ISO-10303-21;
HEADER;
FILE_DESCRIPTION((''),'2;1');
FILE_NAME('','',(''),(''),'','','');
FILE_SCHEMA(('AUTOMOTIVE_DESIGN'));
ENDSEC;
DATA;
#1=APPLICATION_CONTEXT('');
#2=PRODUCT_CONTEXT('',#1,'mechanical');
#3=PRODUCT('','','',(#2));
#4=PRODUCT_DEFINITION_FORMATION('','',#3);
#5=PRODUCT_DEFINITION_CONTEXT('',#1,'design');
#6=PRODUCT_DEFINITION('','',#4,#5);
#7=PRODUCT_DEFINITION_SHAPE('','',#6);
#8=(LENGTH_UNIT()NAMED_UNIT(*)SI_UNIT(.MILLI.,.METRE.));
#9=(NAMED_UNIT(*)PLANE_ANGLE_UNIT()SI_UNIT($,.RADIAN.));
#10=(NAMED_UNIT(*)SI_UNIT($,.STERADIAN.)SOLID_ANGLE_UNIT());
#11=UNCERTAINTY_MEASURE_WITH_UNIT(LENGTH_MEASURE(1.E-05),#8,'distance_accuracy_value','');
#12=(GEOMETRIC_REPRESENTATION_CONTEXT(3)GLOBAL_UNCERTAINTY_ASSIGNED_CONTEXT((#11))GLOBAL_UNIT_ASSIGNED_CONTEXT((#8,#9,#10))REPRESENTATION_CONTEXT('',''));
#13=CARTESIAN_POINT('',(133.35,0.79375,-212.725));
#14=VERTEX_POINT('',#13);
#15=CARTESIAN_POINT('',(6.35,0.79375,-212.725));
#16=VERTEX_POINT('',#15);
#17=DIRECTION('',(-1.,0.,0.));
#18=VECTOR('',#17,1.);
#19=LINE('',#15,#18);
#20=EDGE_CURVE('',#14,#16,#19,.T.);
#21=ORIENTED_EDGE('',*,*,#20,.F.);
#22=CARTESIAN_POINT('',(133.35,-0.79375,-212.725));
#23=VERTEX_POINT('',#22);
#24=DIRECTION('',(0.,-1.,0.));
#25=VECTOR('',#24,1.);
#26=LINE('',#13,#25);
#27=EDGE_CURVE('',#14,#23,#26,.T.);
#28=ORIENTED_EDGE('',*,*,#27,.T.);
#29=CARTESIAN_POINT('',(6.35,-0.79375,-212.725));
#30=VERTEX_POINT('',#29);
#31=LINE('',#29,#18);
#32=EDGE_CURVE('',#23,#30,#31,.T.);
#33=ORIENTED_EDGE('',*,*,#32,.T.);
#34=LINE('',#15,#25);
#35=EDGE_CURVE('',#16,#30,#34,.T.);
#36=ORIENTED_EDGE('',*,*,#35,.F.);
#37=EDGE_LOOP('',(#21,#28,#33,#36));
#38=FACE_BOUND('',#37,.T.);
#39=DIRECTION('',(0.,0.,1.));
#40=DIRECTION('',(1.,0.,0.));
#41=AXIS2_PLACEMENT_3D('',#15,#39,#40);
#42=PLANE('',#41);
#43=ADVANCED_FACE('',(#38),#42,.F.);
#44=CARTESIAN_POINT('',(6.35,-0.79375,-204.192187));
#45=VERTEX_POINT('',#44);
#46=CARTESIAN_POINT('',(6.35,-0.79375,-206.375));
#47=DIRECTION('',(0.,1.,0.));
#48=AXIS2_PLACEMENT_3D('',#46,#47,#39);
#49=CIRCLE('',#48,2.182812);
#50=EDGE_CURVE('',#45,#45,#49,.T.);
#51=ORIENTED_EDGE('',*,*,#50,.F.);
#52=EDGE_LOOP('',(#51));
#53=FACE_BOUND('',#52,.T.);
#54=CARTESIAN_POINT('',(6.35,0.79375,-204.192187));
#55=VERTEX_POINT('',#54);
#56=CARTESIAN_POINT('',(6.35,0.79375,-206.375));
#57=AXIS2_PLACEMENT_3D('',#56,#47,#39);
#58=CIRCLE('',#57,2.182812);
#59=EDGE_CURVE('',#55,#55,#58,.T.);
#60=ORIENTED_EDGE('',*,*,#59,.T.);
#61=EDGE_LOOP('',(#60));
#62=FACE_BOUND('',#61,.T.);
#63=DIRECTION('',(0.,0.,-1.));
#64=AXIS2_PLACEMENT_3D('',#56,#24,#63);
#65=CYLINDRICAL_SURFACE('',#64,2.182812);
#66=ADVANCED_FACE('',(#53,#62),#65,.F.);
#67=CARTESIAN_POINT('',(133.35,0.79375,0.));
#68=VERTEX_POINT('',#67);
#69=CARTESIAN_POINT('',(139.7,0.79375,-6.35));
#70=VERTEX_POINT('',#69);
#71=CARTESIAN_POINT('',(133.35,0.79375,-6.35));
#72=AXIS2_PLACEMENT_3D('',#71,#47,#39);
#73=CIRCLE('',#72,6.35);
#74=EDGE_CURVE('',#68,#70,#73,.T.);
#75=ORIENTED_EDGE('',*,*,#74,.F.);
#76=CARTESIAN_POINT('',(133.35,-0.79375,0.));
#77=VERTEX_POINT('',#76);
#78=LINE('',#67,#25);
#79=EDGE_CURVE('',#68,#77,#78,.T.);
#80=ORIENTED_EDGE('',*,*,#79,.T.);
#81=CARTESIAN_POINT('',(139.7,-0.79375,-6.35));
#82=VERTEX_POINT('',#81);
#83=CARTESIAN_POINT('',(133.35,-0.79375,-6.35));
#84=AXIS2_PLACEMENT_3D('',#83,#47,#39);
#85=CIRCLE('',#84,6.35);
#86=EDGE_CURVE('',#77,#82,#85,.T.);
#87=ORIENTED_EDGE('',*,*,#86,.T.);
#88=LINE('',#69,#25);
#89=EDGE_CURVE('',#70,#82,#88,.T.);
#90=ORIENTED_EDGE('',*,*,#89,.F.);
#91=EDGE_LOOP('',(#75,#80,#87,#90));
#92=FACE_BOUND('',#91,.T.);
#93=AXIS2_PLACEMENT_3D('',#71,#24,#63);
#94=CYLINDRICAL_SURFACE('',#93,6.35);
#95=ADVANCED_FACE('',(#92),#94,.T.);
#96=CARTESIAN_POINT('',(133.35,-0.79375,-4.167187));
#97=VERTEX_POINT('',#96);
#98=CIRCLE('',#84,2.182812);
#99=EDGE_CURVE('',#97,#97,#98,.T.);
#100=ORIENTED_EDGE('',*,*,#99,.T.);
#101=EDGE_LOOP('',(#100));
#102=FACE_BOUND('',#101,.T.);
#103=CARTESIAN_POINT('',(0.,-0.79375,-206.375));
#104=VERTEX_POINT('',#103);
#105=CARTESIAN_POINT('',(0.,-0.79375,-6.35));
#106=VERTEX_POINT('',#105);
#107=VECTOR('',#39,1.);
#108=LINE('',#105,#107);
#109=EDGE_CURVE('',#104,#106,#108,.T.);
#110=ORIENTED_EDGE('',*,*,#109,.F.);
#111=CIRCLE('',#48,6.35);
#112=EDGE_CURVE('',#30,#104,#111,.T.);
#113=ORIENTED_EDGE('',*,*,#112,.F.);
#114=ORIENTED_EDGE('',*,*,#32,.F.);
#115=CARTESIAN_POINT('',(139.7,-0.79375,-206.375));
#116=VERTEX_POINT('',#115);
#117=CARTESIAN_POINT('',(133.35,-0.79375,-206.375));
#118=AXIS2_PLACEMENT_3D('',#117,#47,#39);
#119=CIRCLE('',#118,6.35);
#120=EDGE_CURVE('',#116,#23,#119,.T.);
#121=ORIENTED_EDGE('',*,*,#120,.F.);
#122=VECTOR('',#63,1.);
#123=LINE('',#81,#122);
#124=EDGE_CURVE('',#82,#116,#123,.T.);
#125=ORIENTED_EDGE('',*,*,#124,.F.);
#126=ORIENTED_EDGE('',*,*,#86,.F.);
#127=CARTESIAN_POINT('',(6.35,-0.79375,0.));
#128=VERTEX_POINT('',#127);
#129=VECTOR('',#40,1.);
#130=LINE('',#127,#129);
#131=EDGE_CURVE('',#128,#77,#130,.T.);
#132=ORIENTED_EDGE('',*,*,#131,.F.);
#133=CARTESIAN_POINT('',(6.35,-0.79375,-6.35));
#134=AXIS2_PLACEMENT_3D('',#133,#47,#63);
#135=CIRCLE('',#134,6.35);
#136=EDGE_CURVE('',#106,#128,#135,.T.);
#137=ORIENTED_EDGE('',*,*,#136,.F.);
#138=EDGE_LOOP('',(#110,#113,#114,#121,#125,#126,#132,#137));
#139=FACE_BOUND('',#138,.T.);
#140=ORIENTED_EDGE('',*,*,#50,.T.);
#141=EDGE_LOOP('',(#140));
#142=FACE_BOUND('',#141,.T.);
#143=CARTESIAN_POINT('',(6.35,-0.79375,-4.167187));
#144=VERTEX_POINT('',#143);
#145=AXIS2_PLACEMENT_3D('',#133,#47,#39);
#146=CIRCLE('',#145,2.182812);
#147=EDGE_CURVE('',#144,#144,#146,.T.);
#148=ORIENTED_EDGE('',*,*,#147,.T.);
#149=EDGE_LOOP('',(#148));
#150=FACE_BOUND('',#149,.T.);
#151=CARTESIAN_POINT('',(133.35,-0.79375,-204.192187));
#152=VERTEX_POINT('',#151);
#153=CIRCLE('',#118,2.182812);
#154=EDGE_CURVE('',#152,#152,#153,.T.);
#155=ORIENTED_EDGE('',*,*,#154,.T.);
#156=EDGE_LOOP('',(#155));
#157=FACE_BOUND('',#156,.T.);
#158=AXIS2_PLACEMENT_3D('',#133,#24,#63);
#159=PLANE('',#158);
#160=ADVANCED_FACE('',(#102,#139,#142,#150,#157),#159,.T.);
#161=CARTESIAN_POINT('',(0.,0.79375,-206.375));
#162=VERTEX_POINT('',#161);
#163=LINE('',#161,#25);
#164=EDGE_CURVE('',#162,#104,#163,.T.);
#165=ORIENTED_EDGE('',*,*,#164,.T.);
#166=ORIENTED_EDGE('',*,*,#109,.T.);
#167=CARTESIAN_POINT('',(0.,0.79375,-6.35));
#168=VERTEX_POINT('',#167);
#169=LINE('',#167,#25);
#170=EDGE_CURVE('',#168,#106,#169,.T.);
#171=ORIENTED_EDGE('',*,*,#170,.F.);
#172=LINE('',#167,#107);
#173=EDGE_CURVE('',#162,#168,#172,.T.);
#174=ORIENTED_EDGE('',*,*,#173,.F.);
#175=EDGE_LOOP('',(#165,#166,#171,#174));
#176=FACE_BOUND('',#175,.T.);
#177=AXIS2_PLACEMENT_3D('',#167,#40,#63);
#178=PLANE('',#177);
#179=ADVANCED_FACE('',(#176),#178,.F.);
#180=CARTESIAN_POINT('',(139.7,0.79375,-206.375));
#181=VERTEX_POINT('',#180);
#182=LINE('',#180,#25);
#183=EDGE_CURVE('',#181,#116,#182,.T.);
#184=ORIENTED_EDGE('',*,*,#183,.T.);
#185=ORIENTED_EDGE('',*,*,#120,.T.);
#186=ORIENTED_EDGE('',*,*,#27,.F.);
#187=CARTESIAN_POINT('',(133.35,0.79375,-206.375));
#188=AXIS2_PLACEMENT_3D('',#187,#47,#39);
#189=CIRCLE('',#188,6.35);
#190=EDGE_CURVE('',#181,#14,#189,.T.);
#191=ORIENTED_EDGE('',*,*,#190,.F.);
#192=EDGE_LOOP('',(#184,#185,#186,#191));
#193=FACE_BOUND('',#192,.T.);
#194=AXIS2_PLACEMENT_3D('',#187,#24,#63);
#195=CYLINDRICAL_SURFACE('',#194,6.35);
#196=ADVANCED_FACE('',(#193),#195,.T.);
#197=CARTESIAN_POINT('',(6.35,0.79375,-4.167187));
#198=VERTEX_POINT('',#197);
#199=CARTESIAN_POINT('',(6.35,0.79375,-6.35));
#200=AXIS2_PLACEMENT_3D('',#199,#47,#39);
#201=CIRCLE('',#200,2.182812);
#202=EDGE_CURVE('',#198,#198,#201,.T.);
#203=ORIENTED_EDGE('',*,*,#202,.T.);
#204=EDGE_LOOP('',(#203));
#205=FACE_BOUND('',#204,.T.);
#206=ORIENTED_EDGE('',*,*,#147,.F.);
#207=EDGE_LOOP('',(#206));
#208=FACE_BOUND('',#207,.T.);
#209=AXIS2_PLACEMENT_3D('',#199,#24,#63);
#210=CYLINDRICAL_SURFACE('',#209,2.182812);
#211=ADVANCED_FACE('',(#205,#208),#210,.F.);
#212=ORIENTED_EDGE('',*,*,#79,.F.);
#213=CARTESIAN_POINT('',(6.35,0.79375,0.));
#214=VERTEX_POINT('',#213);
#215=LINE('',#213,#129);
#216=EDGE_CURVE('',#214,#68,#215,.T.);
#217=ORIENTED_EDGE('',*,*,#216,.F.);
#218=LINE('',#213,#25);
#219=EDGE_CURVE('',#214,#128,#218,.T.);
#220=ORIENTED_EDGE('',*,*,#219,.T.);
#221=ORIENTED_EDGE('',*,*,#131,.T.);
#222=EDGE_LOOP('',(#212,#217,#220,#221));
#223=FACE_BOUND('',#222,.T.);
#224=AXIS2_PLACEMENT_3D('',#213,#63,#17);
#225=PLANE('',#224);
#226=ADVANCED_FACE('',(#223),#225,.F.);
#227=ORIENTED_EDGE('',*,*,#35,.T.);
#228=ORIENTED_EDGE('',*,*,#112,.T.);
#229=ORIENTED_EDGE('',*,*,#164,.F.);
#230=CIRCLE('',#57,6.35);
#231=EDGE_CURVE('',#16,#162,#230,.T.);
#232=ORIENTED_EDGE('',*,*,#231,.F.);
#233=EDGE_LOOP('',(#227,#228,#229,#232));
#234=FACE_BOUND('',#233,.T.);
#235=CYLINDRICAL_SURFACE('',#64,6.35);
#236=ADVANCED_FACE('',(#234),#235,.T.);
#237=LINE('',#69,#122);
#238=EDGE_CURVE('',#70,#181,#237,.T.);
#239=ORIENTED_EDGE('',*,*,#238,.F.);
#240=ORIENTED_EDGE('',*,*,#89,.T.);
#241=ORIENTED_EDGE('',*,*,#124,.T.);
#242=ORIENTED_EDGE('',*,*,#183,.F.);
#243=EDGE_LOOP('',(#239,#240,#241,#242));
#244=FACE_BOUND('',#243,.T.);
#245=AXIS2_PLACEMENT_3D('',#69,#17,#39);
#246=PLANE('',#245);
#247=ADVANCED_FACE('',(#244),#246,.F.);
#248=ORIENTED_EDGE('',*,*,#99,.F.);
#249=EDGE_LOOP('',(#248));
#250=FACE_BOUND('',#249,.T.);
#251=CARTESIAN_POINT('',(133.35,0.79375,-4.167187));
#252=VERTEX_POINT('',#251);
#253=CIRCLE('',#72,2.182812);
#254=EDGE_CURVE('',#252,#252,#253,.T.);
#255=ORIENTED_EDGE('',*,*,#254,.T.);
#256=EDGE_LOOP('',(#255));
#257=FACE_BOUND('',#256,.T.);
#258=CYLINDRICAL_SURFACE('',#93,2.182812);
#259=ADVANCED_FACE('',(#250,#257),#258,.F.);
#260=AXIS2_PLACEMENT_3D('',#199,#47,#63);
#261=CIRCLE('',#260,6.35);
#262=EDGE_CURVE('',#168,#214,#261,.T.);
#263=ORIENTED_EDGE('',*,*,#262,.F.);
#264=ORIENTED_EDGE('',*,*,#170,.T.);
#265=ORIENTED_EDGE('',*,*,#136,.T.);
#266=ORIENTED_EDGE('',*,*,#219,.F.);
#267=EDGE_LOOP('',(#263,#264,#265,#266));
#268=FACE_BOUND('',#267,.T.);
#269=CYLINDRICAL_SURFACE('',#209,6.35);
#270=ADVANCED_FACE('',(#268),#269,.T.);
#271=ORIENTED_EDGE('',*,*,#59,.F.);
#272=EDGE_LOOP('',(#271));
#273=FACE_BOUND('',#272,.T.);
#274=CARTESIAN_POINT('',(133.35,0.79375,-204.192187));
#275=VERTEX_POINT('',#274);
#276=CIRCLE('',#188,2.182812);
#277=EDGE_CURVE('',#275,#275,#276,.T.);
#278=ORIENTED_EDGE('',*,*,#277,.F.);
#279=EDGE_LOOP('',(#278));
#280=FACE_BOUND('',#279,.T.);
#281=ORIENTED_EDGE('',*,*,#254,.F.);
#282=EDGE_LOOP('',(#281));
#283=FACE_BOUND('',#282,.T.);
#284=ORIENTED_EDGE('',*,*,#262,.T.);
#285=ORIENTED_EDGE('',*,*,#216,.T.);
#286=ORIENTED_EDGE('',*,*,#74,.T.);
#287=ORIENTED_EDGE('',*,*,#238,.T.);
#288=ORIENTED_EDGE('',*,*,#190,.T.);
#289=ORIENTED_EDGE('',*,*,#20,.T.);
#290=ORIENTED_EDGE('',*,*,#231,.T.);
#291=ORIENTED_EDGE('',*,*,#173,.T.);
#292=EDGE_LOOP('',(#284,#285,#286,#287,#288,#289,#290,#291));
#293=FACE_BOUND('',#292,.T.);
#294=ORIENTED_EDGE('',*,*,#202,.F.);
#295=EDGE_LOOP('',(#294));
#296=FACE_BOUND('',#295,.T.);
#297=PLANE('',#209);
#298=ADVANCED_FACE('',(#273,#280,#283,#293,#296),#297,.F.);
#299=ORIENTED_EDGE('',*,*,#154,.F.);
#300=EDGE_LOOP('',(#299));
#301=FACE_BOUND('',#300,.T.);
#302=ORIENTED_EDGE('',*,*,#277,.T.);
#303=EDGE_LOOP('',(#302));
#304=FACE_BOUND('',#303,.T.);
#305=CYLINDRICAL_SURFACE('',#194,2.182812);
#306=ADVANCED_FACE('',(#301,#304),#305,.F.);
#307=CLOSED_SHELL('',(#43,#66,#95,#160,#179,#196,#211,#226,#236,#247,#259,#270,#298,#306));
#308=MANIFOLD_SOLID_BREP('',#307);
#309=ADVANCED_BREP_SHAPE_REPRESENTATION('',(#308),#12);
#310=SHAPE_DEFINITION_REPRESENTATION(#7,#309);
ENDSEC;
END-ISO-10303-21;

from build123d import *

# Parameters (mm, degrees)
SKETCH1_R           = 2.1828125
BOSS_EXTRUDE1_DEPTH = 0.79375


with BuildPart() as part:
    # Sketch1 → Boss-Extrude1 (new body, symmetric)
    with BuildSketch(Plane(origin=(0, 0, 0), x_dir=(1, 0, 0), z_dir=(0, 1, 0))):
        with BuildLine():
            Line((6.35, 0), (133.35, 0))
            ThreePointArc((133.35, 0), (137.840128061, 1.859871939), (139.7, 6.35))
            Line((139.7, 6.35), (139.7, 206.375))
            ThreePointArc((139.7, 206.375), (137.840128061, 210.865128061), (133.35, 212.725))
            Line((133.35, 212.725), (6.35, 212.725))
            ThreePointArc((6.35, 212.725), (1.859871939, 210.865128061), (0, 206.375))
            Line((0, 206.375), (0, 6.35))
            ThreePointArc((0, 6.35), (1.859871939, 1.859871939), (6.35, 0))
        make_face()
        with Locations((6.35, 206.375)):
            Circle(SKETCH1_R, mode=Mode.SUBTRACT)
        with Locations((133.35, 206.375)):
            Circle(SKETCH1_R, mode=Mode.SUBTRACT)
        with Locations((6.35, 6.35)):
            Circle(SKETCH1_R, mode=Mode.SUBTRACT)
        with Locations((133.35, 6.35)):
            Circle(SKETCH1_R, mode=Mode.SUBTRACT)
    extrude(amount=BOSS_EXTRUDE1_DEPTH, both=True)


solid = part.part
